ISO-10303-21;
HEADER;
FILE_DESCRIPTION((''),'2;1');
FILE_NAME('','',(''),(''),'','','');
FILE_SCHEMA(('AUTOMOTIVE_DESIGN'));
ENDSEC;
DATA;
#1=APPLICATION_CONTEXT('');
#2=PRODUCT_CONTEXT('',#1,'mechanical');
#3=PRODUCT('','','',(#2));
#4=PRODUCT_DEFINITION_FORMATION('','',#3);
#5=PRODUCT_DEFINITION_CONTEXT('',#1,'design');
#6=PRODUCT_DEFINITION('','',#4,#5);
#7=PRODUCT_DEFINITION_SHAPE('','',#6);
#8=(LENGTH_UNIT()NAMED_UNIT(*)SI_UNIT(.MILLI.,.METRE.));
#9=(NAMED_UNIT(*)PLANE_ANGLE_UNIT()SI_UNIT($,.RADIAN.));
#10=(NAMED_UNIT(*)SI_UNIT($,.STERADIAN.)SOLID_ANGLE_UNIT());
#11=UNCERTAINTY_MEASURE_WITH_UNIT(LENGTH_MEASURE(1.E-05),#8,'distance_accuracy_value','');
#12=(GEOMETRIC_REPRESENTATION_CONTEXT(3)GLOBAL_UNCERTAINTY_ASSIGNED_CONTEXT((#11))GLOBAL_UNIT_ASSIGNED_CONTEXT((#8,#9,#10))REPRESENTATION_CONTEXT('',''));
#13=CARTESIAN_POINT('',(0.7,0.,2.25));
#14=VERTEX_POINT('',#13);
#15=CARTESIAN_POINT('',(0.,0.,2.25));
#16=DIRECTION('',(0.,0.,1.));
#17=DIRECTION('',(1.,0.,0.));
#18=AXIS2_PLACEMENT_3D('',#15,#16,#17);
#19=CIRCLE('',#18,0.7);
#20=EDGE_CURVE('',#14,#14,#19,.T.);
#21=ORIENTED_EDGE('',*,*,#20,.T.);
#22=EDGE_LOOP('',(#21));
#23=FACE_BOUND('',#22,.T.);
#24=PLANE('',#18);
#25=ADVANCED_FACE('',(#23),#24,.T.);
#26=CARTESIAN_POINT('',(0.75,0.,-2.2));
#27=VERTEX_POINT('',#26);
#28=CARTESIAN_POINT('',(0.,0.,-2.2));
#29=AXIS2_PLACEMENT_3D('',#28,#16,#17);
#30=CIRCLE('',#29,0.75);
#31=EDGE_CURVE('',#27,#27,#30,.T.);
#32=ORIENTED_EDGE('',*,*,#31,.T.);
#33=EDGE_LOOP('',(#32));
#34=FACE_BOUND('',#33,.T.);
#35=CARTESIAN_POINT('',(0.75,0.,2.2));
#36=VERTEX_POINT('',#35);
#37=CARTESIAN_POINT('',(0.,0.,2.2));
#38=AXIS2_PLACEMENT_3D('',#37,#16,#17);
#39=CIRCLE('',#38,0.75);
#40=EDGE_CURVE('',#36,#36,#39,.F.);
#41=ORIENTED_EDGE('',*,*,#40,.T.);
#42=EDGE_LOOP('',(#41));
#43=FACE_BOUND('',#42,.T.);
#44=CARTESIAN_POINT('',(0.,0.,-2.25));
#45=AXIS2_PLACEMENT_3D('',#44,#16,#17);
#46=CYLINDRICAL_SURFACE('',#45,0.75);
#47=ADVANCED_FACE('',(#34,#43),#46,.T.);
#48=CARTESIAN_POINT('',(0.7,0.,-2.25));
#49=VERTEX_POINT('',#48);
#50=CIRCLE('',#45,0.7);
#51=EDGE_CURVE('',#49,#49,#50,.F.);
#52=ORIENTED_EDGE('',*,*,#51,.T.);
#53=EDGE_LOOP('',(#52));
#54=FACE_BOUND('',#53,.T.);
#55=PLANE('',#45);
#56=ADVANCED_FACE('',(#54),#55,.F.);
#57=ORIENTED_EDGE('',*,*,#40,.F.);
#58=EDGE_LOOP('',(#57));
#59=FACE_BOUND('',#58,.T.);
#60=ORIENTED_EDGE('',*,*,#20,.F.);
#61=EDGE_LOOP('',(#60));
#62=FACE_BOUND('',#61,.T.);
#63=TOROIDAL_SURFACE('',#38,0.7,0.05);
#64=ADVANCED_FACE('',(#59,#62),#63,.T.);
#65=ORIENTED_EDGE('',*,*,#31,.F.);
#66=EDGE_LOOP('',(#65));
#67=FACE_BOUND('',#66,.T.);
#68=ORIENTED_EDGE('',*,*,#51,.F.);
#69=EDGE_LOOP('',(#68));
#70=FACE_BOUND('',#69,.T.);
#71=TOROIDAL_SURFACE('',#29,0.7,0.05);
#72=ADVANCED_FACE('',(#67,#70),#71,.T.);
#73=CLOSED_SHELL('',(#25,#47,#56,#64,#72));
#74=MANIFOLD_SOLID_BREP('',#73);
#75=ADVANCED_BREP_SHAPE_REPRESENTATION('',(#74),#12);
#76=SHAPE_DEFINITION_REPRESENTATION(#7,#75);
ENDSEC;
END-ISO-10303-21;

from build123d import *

# Parameters (mm, degrees)
CROQUIS1_R                   = 0.75
SALIENTE_EXTRUIR1_DEPTH      = 2.25
SALIENTE_EXTRUIR1_DEPTH_BACK = 2.25
REDONDEO1_R                  = 0.05


with BuildPart() as part:
    # Croquis1 → Saliente-Extruir1 (new body, two sides)
    with BuildSketch(Plane.XY) as saliente_extruir1_sk:
        Circle(CROQUIS1_R)
    extrude(amount=SALIENTE_EXTRUIR1_DEPTH)
    extrude(saliente_extruir1_sk.sketch, amount=-SALIENTE_EXTRUIR1_DEPTH_BACK)

    # Redondeo1
    redondeo1_edges = [part.edges().sort_by_distance(p)[0] for p in [
        (-0.75, 0, -2.25),
        (-0.75, 0, 2.25),
    ]]
    fillet(redondeo1_edges, radius=REDONDEO1_R)


solid = part.part
